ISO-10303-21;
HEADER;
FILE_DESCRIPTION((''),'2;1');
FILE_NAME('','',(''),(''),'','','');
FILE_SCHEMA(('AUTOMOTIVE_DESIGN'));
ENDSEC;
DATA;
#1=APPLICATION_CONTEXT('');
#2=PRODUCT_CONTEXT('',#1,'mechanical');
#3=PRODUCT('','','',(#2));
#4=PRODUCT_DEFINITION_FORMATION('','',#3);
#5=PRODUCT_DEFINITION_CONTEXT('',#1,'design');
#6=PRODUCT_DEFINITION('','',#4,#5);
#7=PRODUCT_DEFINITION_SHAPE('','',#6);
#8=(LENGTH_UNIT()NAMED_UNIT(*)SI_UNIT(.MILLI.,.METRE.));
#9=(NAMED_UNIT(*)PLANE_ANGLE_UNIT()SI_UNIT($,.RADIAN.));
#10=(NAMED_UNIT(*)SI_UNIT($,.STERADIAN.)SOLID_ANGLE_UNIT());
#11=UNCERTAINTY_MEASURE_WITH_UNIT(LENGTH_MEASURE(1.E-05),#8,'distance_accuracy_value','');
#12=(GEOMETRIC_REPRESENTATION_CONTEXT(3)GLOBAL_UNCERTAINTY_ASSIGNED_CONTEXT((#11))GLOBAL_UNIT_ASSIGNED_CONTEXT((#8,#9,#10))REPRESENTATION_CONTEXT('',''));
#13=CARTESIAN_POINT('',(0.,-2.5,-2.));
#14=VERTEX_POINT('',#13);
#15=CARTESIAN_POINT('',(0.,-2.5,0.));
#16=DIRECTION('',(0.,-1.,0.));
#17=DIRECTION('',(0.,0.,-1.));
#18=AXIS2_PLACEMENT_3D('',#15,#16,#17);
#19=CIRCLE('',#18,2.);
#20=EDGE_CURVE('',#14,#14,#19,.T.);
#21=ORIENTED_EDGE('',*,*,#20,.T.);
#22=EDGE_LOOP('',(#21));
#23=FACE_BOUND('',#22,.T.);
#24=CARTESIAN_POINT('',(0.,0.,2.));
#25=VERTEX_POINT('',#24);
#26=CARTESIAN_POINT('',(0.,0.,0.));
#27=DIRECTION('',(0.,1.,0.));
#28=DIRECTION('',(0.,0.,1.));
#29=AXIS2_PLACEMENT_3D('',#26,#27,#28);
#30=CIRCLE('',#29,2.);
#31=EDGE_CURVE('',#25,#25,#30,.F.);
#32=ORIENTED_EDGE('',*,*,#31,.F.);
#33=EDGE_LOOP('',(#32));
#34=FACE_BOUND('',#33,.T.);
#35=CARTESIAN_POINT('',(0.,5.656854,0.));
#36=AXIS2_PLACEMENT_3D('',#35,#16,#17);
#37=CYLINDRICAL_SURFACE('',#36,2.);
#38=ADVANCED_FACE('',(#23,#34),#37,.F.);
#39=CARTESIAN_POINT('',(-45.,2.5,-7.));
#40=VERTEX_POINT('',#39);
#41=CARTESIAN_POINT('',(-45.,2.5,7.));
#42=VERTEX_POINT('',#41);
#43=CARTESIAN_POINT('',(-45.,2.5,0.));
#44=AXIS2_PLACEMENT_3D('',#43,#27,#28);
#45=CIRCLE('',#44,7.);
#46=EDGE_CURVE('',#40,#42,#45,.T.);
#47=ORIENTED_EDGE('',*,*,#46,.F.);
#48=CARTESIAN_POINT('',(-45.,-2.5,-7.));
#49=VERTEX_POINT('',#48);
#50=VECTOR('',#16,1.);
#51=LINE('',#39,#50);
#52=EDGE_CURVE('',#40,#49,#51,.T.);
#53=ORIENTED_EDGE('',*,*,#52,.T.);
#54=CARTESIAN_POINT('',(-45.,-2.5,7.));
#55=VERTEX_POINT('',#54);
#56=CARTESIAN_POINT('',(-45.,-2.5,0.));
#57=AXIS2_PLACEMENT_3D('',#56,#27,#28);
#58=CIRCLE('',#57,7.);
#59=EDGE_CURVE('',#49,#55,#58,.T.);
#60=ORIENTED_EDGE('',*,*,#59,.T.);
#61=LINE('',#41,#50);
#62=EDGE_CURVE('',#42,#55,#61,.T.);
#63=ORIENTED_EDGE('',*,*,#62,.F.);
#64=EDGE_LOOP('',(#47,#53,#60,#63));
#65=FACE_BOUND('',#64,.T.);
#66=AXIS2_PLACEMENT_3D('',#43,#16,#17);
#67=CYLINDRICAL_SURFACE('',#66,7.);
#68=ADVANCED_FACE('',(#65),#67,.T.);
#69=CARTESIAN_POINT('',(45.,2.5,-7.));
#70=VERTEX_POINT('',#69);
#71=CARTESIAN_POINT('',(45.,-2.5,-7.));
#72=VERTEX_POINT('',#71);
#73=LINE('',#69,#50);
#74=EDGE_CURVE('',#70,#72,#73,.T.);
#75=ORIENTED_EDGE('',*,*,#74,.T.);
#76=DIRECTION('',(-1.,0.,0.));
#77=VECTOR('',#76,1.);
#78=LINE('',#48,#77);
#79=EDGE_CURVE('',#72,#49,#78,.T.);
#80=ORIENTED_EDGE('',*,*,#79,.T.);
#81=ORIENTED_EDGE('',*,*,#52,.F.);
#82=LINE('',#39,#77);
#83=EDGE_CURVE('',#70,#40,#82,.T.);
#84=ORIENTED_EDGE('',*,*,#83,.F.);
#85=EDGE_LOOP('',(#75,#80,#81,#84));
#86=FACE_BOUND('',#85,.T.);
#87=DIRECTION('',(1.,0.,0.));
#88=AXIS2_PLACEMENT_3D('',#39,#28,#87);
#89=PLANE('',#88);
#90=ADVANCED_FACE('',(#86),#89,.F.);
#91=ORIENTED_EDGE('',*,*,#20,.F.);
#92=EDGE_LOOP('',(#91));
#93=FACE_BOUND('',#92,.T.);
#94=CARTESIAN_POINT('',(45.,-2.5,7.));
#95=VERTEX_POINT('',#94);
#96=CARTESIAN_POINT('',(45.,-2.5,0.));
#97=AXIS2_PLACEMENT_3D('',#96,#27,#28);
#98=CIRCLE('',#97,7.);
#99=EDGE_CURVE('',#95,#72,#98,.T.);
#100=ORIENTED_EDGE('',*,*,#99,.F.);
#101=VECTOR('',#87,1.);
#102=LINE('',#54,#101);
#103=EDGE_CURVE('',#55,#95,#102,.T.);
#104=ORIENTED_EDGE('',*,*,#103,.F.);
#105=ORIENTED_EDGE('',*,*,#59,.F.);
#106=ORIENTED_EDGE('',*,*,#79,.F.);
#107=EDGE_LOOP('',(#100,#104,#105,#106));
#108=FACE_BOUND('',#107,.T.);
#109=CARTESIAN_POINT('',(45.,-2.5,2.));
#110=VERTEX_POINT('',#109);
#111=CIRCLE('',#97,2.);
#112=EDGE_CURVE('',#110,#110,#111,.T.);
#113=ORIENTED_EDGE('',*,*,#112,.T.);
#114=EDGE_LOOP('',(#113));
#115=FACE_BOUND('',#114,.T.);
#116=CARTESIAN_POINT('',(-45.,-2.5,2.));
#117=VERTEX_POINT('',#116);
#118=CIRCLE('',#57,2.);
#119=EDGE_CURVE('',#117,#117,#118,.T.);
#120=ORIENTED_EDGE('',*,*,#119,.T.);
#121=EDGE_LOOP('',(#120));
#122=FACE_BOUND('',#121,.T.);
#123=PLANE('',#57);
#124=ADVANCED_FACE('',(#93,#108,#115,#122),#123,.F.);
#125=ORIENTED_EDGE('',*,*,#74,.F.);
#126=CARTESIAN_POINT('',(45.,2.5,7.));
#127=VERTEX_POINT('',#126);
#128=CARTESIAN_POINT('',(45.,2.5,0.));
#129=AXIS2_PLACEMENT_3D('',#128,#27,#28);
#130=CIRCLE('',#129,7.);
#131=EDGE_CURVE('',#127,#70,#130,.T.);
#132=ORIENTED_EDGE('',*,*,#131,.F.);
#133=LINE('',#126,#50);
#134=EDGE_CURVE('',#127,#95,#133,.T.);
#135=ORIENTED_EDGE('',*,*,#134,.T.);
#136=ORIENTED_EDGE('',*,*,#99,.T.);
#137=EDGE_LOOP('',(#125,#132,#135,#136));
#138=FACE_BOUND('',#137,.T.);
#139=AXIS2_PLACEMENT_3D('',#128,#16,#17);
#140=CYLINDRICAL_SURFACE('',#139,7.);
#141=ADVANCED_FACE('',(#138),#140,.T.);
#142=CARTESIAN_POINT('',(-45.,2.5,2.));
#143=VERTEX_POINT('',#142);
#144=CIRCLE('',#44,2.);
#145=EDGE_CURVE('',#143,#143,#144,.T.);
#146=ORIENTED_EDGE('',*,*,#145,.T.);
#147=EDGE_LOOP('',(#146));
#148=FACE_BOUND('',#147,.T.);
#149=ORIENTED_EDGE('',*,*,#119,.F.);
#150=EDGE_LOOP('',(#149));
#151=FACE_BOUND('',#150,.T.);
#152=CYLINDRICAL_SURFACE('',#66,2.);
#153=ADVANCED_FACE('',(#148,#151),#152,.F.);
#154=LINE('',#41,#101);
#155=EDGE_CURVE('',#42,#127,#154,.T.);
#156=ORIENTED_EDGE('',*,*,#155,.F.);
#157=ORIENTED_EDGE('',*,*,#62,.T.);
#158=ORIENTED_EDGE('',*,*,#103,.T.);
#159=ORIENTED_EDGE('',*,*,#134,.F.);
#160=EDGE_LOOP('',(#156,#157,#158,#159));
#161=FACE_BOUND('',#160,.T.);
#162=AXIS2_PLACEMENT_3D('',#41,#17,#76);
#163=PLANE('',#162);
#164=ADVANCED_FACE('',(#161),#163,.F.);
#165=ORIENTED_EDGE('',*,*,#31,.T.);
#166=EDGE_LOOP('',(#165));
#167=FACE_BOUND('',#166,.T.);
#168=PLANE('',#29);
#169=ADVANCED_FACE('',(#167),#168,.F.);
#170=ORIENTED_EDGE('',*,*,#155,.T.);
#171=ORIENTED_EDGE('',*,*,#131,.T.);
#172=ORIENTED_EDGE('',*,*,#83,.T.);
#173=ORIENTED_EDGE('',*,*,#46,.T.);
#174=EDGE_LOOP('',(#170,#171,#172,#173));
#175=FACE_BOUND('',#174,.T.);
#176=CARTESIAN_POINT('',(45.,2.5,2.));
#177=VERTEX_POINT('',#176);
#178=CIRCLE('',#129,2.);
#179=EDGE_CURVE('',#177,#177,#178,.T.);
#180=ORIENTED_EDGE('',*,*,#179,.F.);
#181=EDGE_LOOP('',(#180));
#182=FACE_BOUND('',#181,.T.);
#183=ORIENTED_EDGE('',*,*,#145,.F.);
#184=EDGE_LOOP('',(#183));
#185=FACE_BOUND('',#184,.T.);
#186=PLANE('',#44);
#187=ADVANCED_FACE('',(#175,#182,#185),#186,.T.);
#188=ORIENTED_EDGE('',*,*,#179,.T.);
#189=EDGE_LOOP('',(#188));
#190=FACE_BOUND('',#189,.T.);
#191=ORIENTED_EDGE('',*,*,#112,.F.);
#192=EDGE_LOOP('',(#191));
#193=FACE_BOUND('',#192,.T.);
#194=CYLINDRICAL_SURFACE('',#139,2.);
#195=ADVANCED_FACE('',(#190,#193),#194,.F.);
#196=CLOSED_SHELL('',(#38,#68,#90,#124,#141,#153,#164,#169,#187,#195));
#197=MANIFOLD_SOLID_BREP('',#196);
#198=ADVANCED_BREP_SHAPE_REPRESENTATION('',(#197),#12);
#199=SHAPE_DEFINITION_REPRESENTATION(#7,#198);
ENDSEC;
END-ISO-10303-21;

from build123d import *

# Parameters (mm, degrees)
IZIM1_R                     = 2
Y_KSEKLIK_EKSTR_ZYON1_DEPTH = 2.5
KES_EKSTR_ZYON1_START       = -2.5
IZIM2_R                     = 2
KES_EKSTR_ZYON1_DEPTH       = 2.5


with BuildPart() as part:
    # Çizim1 → Yükseklik-Ekstrüzyon1 (new, symmetric)
    with BuildSketch(Plane(origin=(0, 0, 0), x_dir=(1, 0, 0), z_dir=(0, 1, 0))):
        with BuildLine():
            Line((-45, 7), (45, 7))
            ThreePointArc((45, 7), (52, 0), (45, -7))
            Line((45, -7), (-45, -7))
            ThreePointArc((-45, -7), (-52, 0), (-45, 7))
        make_face()
        with Locations(Location((-45, 0, 0), (0, 0, 270))):
            Circle(IZIM1_R, mode=Mode.SUBTRACT)
        with Locations(Location((45, 0, 0), (0, 0, 270))):
            Circle(IZIM1_R, mode=Mode.SUBTRACT)
    extrude(amount=Y_KSEKLIK_EKSTR_ZYON1_DEPTH, both=True)

    # Çizim2 → Kes-Ekstrüzyon1 (cut)
    with BuildSketch(Plane.XZ.offset(2.5).offset(KES_EKSTR_ZYON1_START)):
        with Locations(Location((0, 0, 0), (0, 0, 270))):
            Circle(IZIM2_R)
    extrude(amount=KES_EKSTR_ZYON1_DEPTH, mode=Mode.SUBTRACT)


solid = part.part
